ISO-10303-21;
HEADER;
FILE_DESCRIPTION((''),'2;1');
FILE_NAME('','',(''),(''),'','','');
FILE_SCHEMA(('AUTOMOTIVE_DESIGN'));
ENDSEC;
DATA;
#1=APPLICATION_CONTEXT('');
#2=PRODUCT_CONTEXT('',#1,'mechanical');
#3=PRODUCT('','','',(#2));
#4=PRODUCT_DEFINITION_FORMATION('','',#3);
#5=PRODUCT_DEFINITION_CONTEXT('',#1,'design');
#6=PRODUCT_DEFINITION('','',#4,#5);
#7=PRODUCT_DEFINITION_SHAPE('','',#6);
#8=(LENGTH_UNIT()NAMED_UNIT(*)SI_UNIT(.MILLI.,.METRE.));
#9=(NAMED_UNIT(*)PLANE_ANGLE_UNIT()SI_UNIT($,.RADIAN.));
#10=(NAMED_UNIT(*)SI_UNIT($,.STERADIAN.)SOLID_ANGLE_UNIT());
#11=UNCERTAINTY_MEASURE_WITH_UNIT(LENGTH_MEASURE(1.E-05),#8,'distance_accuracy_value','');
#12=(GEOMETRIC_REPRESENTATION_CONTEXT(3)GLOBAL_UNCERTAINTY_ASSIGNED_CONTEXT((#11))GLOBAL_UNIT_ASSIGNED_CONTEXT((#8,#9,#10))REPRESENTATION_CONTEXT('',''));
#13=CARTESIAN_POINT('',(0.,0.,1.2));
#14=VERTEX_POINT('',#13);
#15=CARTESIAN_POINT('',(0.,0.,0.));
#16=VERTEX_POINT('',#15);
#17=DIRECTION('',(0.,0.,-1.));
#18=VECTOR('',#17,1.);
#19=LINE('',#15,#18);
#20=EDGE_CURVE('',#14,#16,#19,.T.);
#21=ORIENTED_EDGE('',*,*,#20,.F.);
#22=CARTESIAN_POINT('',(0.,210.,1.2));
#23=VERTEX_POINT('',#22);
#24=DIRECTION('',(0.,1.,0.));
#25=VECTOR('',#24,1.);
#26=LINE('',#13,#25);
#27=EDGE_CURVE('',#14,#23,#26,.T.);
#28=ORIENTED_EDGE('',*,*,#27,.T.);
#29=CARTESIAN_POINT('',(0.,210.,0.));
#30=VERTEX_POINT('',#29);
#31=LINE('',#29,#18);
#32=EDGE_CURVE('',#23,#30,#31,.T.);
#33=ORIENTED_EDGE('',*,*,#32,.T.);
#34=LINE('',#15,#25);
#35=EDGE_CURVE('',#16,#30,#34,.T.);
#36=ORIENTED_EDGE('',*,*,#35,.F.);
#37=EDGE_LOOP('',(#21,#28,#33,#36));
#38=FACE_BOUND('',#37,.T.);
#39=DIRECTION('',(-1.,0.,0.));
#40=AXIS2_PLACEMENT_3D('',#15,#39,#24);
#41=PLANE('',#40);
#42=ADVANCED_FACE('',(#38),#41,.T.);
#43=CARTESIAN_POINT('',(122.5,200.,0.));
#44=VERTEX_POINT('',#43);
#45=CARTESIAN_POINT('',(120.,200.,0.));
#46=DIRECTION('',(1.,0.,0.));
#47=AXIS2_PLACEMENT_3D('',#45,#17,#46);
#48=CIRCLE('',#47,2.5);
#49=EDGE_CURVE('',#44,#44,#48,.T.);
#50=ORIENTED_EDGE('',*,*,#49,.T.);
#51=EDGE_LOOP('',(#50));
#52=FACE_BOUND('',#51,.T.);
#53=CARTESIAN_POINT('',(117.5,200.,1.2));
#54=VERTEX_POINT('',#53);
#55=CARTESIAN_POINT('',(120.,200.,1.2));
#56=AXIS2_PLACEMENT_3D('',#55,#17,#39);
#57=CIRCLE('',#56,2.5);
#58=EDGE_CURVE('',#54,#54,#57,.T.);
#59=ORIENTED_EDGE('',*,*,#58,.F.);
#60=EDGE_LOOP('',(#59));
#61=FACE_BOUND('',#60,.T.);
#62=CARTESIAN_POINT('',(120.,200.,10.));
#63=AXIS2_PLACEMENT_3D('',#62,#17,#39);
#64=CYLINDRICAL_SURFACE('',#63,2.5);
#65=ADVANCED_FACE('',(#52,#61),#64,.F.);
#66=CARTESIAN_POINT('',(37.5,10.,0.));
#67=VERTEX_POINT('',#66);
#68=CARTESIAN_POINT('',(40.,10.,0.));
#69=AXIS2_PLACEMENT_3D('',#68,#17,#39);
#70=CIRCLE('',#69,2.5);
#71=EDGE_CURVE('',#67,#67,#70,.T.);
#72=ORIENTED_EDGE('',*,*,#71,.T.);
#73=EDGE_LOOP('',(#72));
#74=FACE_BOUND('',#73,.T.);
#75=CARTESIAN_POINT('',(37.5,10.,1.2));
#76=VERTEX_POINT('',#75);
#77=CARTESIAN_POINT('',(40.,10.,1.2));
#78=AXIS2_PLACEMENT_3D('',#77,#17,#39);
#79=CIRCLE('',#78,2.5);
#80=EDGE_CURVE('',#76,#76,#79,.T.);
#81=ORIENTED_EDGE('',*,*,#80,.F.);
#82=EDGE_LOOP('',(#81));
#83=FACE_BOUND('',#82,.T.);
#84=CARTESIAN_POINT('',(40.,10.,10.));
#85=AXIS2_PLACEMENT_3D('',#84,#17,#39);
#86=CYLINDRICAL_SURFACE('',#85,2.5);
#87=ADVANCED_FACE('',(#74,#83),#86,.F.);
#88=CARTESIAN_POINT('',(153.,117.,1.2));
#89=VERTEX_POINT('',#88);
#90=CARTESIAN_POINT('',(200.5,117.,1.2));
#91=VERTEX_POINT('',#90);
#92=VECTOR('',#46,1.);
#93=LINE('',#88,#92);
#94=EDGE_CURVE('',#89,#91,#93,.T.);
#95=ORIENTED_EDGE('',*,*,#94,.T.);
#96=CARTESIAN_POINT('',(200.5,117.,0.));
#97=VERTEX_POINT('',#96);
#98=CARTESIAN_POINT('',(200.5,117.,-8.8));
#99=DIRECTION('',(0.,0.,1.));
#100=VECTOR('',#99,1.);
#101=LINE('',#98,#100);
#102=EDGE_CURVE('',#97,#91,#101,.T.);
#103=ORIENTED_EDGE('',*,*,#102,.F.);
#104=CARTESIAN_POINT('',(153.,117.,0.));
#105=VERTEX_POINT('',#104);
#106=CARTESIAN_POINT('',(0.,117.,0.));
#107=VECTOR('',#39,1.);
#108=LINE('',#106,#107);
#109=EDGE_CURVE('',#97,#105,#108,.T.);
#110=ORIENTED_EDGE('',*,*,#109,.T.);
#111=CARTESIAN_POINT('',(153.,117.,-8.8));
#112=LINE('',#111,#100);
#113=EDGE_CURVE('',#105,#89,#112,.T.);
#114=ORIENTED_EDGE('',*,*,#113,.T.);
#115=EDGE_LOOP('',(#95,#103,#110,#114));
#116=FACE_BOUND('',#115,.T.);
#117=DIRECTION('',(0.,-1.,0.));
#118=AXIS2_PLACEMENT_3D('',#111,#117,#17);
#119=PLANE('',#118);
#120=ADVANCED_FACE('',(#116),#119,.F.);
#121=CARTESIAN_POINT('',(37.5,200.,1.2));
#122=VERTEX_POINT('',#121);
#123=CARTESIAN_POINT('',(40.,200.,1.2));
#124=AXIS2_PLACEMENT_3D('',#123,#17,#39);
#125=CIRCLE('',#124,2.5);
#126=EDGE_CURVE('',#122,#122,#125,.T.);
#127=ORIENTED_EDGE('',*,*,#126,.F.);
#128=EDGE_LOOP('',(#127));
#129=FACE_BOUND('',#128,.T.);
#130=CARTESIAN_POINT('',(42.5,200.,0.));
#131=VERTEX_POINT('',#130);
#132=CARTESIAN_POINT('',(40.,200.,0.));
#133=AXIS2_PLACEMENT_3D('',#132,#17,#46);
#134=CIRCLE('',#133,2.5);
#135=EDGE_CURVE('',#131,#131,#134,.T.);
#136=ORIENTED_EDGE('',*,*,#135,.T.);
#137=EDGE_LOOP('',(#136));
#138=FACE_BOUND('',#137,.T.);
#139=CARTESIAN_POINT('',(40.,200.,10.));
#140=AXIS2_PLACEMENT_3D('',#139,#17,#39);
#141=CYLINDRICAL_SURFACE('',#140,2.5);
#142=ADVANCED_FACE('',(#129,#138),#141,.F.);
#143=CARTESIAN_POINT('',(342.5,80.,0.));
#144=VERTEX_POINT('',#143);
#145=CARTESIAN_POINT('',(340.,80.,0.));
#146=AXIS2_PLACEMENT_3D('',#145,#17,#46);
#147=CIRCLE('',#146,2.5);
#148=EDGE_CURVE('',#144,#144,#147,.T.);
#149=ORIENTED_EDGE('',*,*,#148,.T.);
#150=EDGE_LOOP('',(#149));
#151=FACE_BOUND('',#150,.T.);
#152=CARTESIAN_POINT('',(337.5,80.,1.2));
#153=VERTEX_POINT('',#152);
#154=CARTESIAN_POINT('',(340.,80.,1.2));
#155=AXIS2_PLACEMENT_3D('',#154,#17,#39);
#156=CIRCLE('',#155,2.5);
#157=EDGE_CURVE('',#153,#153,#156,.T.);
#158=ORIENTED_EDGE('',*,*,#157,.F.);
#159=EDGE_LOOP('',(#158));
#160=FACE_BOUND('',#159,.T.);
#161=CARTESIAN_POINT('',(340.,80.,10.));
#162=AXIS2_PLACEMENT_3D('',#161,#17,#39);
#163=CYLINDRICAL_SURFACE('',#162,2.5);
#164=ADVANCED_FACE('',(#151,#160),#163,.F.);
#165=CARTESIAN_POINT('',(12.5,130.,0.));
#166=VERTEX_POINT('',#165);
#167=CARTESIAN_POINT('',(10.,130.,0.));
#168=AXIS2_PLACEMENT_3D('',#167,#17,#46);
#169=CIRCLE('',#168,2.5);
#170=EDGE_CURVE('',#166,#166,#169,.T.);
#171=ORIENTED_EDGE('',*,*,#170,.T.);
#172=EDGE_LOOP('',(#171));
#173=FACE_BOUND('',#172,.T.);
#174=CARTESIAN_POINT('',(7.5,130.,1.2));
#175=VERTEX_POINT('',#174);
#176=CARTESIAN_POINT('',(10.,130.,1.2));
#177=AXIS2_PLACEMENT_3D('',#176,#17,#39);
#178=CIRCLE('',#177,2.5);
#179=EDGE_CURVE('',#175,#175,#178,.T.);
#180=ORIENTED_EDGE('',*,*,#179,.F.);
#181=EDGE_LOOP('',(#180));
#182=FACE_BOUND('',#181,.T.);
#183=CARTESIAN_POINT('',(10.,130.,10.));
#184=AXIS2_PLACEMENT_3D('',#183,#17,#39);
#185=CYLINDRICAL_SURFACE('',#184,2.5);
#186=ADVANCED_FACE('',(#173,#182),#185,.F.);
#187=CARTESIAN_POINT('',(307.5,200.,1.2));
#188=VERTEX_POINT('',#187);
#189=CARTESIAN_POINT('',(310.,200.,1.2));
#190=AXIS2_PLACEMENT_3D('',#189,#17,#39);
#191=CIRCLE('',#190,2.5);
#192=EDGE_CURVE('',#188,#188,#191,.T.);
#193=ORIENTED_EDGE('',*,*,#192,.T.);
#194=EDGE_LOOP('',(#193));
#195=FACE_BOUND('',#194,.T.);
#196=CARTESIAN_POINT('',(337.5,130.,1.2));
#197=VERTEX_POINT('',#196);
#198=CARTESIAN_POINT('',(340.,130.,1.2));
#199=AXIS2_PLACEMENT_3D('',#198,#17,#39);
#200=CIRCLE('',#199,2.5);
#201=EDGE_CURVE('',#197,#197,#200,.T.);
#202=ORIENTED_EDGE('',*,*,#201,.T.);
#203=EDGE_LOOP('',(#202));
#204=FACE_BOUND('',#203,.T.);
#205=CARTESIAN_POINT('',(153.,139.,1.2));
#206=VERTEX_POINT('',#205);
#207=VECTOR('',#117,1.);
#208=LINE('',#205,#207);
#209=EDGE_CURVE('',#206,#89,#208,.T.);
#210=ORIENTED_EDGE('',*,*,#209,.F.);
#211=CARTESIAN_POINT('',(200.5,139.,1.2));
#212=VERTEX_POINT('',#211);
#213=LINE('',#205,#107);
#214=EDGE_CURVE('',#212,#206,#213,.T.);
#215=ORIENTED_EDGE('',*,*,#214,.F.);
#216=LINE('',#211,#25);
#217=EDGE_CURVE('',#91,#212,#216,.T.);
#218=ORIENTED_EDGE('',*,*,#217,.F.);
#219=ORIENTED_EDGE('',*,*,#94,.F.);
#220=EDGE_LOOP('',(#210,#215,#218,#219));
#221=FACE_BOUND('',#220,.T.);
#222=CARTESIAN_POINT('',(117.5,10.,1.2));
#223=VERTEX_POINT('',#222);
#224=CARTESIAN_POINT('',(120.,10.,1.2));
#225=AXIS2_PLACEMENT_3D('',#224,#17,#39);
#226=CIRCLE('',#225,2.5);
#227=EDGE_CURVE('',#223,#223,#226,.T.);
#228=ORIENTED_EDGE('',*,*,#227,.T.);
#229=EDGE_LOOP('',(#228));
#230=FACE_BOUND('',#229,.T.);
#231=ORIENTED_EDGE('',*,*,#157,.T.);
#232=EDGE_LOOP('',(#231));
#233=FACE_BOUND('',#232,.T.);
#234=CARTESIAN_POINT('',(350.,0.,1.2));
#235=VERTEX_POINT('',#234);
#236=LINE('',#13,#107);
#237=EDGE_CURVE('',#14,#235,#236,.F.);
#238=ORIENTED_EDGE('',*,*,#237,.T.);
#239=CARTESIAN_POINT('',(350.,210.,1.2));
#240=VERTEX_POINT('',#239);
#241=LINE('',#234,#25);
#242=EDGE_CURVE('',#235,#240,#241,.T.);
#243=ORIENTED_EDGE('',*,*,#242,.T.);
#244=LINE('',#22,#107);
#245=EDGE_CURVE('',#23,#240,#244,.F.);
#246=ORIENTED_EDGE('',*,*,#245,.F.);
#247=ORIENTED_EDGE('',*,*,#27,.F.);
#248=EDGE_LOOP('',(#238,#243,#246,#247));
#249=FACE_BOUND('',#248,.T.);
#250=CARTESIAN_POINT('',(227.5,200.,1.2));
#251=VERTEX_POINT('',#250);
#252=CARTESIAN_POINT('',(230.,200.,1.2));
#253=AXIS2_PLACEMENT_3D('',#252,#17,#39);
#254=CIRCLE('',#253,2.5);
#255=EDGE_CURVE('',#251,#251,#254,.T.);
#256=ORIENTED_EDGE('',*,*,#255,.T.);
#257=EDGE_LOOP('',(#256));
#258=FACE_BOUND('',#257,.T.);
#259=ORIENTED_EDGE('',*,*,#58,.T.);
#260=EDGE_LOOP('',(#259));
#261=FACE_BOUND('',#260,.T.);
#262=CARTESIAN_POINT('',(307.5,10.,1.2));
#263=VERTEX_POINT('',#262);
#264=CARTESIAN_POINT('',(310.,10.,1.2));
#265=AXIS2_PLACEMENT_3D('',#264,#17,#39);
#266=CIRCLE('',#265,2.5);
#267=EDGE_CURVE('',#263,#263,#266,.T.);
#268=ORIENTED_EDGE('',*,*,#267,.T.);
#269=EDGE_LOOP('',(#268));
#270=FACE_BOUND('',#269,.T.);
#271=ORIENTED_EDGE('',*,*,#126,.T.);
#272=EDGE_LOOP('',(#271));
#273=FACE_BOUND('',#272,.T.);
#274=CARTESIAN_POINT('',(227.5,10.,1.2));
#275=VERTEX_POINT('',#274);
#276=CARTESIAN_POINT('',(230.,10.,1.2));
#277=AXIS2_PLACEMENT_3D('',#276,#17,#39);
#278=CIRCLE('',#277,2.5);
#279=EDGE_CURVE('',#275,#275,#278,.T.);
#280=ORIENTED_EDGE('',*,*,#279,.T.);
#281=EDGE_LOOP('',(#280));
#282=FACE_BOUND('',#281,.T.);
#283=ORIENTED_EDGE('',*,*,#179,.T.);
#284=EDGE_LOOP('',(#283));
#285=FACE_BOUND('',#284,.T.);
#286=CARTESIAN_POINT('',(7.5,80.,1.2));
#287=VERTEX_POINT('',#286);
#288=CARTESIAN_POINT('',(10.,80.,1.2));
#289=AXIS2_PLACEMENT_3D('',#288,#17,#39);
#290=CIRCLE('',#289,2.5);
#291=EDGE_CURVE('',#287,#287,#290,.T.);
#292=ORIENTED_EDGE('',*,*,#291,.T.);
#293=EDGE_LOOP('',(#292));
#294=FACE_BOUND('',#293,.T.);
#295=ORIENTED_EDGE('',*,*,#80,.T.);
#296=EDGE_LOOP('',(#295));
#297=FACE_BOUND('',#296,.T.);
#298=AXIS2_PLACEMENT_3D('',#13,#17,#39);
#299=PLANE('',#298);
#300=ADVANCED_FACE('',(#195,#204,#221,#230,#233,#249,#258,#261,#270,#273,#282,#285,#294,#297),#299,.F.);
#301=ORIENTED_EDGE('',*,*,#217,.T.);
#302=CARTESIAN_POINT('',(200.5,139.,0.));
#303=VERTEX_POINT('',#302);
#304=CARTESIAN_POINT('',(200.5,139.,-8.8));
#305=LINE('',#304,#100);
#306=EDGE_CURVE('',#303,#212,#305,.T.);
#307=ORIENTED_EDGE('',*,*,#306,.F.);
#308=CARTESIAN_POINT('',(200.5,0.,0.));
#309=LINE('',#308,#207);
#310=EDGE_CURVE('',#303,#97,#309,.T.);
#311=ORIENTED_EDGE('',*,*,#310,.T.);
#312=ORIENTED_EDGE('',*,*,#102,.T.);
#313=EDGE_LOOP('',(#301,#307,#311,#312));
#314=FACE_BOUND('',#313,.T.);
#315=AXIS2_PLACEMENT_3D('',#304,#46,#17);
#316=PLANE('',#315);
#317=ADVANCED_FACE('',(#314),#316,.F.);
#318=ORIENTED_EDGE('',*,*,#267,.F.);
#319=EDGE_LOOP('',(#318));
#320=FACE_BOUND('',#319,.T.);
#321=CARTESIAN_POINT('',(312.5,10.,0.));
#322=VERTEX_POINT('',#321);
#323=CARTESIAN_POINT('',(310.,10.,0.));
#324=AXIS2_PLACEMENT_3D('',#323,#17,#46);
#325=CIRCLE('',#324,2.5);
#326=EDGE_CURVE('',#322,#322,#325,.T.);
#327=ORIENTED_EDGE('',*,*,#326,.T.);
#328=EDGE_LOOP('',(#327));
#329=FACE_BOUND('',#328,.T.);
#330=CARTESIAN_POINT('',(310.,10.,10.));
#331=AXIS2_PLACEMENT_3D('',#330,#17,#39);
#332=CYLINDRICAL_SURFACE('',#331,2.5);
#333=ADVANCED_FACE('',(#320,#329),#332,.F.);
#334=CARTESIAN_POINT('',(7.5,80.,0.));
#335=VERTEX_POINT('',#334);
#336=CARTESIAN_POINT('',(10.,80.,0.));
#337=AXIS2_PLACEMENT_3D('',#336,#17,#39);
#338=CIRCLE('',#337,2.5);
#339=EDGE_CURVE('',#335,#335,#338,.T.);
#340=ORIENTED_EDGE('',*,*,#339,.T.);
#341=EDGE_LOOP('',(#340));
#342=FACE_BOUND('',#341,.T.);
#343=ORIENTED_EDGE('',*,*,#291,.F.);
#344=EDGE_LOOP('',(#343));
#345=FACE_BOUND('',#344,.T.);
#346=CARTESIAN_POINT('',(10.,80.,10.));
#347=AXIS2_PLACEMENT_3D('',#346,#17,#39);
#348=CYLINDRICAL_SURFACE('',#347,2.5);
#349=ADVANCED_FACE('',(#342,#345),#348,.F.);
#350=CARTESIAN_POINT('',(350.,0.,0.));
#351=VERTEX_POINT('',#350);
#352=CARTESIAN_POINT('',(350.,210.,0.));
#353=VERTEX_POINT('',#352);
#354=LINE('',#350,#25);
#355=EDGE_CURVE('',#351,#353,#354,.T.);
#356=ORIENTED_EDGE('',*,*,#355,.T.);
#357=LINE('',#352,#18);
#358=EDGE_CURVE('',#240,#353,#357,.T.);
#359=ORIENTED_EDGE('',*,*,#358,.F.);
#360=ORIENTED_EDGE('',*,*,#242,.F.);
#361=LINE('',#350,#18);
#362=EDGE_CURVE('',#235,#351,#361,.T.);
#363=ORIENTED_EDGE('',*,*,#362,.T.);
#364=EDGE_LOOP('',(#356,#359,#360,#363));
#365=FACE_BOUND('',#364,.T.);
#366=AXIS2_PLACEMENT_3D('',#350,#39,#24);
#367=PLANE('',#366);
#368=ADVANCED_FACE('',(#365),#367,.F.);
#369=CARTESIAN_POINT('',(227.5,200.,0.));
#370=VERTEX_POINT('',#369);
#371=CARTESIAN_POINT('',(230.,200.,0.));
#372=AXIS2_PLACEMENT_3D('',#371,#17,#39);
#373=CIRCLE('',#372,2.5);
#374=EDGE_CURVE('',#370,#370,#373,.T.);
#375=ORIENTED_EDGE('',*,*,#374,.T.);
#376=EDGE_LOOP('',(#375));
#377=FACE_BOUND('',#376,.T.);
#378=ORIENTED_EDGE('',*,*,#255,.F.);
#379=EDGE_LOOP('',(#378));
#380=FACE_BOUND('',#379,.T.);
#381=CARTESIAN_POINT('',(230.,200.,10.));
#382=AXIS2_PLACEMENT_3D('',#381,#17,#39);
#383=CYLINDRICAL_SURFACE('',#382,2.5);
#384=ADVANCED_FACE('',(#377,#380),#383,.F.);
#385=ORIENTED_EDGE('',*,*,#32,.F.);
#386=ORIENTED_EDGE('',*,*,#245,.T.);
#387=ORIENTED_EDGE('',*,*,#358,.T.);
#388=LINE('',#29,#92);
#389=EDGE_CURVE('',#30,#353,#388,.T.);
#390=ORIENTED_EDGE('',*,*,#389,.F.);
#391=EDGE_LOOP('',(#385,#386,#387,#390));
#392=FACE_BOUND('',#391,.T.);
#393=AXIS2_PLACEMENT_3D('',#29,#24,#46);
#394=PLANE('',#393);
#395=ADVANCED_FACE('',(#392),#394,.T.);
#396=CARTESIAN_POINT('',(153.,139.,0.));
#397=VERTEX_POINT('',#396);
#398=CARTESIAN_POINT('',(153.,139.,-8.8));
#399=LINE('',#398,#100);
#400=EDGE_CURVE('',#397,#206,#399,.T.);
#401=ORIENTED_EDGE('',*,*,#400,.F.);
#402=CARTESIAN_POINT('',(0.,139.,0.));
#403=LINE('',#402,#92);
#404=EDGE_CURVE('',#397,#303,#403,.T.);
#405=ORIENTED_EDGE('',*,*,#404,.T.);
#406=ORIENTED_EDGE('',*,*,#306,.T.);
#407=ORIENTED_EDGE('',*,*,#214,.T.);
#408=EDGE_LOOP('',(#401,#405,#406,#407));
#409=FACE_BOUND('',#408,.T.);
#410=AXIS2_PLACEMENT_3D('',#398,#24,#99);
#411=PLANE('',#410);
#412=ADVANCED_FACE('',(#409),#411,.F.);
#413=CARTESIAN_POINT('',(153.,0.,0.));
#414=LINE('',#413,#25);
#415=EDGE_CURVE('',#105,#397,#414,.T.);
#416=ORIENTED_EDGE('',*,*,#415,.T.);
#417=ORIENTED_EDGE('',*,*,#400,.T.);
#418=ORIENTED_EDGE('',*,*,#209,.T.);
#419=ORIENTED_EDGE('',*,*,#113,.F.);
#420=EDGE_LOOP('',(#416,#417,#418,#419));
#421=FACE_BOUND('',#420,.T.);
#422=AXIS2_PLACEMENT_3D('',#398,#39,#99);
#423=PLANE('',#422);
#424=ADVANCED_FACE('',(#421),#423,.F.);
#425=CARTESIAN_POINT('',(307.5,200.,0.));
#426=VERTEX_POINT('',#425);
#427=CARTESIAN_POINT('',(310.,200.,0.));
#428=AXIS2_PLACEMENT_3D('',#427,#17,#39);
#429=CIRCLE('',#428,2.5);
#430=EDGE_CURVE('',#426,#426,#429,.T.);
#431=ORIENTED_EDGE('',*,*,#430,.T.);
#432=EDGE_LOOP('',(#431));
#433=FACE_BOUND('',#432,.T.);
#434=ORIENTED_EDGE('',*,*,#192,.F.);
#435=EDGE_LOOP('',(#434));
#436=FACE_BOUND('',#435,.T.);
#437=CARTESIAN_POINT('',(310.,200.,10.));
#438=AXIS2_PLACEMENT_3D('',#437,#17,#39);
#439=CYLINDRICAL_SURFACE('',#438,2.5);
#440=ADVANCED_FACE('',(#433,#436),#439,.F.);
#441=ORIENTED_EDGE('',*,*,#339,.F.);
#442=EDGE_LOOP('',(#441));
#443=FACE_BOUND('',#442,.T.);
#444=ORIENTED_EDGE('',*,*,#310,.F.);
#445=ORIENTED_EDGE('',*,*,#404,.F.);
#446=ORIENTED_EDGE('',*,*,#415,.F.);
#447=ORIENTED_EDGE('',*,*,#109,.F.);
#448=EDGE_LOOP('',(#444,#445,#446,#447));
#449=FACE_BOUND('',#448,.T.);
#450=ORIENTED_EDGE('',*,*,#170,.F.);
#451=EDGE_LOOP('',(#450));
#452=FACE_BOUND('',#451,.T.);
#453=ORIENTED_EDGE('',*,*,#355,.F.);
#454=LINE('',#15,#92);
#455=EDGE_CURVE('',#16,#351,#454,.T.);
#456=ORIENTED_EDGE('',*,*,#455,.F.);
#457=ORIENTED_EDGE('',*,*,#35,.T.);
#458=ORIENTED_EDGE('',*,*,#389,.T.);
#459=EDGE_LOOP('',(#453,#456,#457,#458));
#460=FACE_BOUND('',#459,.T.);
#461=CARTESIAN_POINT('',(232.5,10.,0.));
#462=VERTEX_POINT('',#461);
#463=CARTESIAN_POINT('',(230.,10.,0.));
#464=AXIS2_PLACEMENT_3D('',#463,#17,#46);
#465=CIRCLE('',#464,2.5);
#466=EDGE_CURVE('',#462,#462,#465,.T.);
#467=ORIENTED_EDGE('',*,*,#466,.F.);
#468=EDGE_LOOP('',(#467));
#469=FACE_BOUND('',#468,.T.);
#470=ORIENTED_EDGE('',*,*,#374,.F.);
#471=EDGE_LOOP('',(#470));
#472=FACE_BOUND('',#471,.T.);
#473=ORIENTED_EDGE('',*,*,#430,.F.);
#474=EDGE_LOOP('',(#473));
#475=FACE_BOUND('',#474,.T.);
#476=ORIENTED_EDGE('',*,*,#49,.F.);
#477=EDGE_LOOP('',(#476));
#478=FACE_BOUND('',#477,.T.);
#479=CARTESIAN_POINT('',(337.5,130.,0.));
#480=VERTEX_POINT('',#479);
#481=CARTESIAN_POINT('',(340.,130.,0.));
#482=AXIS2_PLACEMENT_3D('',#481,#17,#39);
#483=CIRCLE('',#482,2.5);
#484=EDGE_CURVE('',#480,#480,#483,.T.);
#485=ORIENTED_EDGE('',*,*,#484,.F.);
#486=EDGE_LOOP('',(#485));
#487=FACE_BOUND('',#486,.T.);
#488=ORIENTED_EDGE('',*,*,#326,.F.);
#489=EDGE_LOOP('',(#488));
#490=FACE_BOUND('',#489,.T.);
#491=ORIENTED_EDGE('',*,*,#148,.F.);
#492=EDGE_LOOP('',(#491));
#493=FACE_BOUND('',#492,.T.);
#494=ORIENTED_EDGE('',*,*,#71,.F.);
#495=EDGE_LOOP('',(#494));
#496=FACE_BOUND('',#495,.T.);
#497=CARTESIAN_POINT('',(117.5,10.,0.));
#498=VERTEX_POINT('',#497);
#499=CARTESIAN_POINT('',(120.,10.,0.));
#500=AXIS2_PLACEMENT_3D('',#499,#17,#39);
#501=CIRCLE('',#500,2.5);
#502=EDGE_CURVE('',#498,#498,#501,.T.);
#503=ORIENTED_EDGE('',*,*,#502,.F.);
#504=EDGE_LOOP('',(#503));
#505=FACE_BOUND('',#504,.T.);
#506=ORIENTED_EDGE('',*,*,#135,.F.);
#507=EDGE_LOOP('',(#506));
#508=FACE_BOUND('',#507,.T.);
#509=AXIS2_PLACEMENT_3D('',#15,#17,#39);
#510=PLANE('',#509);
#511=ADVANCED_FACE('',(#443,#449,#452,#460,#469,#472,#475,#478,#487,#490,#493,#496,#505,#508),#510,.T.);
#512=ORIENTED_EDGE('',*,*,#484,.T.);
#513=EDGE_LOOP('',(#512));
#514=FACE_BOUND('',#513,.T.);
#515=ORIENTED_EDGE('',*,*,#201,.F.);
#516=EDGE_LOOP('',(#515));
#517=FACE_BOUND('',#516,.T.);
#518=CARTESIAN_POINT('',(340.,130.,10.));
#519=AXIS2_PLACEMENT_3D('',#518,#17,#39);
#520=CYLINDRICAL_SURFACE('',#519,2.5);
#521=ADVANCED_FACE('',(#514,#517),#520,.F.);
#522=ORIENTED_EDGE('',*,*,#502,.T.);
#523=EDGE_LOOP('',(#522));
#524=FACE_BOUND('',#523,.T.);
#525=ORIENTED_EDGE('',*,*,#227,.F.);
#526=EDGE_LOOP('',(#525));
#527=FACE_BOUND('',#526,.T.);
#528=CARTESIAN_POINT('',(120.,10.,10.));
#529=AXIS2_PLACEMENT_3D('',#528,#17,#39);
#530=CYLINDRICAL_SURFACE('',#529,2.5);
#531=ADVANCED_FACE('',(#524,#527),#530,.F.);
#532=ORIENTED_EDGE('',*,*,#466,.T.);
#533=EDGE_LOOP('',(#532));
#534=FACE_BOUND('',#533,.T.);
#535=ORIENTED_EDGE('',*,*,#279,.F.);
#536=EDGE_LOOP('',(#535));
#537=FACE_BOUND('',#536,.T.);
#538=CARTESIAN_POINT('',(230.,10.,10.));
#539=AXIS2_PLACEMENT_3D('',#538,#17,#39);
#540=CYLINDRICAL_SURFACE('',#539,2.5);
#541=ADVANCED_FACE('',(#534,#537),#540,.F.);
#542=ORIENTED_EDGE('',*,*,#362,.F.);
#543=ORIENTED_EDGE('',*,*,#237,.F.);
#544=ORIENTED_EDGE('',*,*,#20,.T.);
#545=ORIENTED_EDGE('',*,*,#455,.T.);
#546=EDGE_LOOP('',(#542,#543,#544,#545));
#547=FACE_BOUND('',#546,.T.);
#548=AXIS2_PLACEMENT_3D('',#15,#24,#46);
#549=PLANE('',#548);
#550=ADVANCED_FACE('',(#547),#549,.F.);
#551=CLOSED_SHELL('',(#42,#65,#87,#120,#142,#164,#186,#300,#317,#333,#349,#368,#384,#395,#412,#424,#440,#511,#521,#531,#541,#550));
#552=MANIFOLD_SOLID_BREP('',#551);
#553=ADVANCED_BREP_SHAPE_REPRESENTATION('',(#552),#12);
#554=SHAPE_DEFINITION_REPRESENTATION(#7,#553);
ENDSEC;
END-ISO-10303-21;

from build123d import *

# Parameters (mm, degrees)
SURFACE_EXTRUDE1_1_DEPTH = 350
THICKEN1_T1              = 1.2
SKETCH2_W                = 47.5
SKETCH2_H                = 22
CUT_EXTRUDE1_DEPTH       = 10
SKETCH3_R                = 2.5
CUT_EXTRUDE2_DEPTH       = 10


with BuildPart() as body_1:
    # Surface-Extrude1: a surface, the sketch's curves swept straight by 350 mm
    with BuildLine(Plane(origin=(0, 0, 0), x_dir=(0, 0, -1), z_dir=(1, 0, 0)), mode=Mode.PRIVATE) as surface_extrude1_1_path:
        Line((0, 0), (0, 210))
    surface_extrude1_1 = Shell.extrude(surface_extrude1_1_path.wire(), (1 * SURFACE_EXTRUDE1_1_DEPTH, 0 * SURFACE_EXTRUDE1_1_DEPTH, 0 * SURFACE_EXTRUDE1_1_DEPTH))
    add(Solid.thicken(surface_extrude1_1, THICKEN1_T1))

    # Sketch2 → Cut-Extrude1 (cut)
    with BuildSketch(Plane.XY.offset(1.2)):
        with Locations((176.75, 128)):
            Rectangle(SKETCH2_W, SKETCH2_H)
    extrude(amount=-CUT_EXTRUDE1_DEPTH, mode=Mode.SUBTRACT)

    # Sketch3 → Cut-Extrude2 (cut)
    with BuildSketch(Plane(origin=(0, 0, 0), x_dir=(-1, 0, 0), z_dir=(0, 0, -1))):
        with Locations((-310, 200)):
            Circle(SKETCH3_R)
        with Locations((-230, 200)):
            Circle(SKETCH3_R)
        with Locations((-340, 130)):
            Circle(SKETCH3_R)
        with Locations((-10, 130)):
            Circle(SKETCH3_R)
        with Locations((-120, 200)):
            Circle(SKETCH3_R)
        with Locations((-40, 200)):
            Circle(SKETCH3_R)
        with Locations((-10, 80)):
            Circle(SKETCH3_R)
        with Locations((-40, 10)):
            Circle(SKETCH3_R)
        with Locations((-120, 10)):
            Circle(SKETCH3_R)
        with Locations((-230, 10)):
            Circle(SKETCH3_R)
        with Locations((-310, 10)):
            Circle(SKETCH3_R)
        with Locations((-340, 80)):
            Circle(SKETCH3_R)
    extrude(amount=-CUT_EXTRUDE2_DEPTH, mode=Mode.SUBTRACT)


solid = body_1.part
